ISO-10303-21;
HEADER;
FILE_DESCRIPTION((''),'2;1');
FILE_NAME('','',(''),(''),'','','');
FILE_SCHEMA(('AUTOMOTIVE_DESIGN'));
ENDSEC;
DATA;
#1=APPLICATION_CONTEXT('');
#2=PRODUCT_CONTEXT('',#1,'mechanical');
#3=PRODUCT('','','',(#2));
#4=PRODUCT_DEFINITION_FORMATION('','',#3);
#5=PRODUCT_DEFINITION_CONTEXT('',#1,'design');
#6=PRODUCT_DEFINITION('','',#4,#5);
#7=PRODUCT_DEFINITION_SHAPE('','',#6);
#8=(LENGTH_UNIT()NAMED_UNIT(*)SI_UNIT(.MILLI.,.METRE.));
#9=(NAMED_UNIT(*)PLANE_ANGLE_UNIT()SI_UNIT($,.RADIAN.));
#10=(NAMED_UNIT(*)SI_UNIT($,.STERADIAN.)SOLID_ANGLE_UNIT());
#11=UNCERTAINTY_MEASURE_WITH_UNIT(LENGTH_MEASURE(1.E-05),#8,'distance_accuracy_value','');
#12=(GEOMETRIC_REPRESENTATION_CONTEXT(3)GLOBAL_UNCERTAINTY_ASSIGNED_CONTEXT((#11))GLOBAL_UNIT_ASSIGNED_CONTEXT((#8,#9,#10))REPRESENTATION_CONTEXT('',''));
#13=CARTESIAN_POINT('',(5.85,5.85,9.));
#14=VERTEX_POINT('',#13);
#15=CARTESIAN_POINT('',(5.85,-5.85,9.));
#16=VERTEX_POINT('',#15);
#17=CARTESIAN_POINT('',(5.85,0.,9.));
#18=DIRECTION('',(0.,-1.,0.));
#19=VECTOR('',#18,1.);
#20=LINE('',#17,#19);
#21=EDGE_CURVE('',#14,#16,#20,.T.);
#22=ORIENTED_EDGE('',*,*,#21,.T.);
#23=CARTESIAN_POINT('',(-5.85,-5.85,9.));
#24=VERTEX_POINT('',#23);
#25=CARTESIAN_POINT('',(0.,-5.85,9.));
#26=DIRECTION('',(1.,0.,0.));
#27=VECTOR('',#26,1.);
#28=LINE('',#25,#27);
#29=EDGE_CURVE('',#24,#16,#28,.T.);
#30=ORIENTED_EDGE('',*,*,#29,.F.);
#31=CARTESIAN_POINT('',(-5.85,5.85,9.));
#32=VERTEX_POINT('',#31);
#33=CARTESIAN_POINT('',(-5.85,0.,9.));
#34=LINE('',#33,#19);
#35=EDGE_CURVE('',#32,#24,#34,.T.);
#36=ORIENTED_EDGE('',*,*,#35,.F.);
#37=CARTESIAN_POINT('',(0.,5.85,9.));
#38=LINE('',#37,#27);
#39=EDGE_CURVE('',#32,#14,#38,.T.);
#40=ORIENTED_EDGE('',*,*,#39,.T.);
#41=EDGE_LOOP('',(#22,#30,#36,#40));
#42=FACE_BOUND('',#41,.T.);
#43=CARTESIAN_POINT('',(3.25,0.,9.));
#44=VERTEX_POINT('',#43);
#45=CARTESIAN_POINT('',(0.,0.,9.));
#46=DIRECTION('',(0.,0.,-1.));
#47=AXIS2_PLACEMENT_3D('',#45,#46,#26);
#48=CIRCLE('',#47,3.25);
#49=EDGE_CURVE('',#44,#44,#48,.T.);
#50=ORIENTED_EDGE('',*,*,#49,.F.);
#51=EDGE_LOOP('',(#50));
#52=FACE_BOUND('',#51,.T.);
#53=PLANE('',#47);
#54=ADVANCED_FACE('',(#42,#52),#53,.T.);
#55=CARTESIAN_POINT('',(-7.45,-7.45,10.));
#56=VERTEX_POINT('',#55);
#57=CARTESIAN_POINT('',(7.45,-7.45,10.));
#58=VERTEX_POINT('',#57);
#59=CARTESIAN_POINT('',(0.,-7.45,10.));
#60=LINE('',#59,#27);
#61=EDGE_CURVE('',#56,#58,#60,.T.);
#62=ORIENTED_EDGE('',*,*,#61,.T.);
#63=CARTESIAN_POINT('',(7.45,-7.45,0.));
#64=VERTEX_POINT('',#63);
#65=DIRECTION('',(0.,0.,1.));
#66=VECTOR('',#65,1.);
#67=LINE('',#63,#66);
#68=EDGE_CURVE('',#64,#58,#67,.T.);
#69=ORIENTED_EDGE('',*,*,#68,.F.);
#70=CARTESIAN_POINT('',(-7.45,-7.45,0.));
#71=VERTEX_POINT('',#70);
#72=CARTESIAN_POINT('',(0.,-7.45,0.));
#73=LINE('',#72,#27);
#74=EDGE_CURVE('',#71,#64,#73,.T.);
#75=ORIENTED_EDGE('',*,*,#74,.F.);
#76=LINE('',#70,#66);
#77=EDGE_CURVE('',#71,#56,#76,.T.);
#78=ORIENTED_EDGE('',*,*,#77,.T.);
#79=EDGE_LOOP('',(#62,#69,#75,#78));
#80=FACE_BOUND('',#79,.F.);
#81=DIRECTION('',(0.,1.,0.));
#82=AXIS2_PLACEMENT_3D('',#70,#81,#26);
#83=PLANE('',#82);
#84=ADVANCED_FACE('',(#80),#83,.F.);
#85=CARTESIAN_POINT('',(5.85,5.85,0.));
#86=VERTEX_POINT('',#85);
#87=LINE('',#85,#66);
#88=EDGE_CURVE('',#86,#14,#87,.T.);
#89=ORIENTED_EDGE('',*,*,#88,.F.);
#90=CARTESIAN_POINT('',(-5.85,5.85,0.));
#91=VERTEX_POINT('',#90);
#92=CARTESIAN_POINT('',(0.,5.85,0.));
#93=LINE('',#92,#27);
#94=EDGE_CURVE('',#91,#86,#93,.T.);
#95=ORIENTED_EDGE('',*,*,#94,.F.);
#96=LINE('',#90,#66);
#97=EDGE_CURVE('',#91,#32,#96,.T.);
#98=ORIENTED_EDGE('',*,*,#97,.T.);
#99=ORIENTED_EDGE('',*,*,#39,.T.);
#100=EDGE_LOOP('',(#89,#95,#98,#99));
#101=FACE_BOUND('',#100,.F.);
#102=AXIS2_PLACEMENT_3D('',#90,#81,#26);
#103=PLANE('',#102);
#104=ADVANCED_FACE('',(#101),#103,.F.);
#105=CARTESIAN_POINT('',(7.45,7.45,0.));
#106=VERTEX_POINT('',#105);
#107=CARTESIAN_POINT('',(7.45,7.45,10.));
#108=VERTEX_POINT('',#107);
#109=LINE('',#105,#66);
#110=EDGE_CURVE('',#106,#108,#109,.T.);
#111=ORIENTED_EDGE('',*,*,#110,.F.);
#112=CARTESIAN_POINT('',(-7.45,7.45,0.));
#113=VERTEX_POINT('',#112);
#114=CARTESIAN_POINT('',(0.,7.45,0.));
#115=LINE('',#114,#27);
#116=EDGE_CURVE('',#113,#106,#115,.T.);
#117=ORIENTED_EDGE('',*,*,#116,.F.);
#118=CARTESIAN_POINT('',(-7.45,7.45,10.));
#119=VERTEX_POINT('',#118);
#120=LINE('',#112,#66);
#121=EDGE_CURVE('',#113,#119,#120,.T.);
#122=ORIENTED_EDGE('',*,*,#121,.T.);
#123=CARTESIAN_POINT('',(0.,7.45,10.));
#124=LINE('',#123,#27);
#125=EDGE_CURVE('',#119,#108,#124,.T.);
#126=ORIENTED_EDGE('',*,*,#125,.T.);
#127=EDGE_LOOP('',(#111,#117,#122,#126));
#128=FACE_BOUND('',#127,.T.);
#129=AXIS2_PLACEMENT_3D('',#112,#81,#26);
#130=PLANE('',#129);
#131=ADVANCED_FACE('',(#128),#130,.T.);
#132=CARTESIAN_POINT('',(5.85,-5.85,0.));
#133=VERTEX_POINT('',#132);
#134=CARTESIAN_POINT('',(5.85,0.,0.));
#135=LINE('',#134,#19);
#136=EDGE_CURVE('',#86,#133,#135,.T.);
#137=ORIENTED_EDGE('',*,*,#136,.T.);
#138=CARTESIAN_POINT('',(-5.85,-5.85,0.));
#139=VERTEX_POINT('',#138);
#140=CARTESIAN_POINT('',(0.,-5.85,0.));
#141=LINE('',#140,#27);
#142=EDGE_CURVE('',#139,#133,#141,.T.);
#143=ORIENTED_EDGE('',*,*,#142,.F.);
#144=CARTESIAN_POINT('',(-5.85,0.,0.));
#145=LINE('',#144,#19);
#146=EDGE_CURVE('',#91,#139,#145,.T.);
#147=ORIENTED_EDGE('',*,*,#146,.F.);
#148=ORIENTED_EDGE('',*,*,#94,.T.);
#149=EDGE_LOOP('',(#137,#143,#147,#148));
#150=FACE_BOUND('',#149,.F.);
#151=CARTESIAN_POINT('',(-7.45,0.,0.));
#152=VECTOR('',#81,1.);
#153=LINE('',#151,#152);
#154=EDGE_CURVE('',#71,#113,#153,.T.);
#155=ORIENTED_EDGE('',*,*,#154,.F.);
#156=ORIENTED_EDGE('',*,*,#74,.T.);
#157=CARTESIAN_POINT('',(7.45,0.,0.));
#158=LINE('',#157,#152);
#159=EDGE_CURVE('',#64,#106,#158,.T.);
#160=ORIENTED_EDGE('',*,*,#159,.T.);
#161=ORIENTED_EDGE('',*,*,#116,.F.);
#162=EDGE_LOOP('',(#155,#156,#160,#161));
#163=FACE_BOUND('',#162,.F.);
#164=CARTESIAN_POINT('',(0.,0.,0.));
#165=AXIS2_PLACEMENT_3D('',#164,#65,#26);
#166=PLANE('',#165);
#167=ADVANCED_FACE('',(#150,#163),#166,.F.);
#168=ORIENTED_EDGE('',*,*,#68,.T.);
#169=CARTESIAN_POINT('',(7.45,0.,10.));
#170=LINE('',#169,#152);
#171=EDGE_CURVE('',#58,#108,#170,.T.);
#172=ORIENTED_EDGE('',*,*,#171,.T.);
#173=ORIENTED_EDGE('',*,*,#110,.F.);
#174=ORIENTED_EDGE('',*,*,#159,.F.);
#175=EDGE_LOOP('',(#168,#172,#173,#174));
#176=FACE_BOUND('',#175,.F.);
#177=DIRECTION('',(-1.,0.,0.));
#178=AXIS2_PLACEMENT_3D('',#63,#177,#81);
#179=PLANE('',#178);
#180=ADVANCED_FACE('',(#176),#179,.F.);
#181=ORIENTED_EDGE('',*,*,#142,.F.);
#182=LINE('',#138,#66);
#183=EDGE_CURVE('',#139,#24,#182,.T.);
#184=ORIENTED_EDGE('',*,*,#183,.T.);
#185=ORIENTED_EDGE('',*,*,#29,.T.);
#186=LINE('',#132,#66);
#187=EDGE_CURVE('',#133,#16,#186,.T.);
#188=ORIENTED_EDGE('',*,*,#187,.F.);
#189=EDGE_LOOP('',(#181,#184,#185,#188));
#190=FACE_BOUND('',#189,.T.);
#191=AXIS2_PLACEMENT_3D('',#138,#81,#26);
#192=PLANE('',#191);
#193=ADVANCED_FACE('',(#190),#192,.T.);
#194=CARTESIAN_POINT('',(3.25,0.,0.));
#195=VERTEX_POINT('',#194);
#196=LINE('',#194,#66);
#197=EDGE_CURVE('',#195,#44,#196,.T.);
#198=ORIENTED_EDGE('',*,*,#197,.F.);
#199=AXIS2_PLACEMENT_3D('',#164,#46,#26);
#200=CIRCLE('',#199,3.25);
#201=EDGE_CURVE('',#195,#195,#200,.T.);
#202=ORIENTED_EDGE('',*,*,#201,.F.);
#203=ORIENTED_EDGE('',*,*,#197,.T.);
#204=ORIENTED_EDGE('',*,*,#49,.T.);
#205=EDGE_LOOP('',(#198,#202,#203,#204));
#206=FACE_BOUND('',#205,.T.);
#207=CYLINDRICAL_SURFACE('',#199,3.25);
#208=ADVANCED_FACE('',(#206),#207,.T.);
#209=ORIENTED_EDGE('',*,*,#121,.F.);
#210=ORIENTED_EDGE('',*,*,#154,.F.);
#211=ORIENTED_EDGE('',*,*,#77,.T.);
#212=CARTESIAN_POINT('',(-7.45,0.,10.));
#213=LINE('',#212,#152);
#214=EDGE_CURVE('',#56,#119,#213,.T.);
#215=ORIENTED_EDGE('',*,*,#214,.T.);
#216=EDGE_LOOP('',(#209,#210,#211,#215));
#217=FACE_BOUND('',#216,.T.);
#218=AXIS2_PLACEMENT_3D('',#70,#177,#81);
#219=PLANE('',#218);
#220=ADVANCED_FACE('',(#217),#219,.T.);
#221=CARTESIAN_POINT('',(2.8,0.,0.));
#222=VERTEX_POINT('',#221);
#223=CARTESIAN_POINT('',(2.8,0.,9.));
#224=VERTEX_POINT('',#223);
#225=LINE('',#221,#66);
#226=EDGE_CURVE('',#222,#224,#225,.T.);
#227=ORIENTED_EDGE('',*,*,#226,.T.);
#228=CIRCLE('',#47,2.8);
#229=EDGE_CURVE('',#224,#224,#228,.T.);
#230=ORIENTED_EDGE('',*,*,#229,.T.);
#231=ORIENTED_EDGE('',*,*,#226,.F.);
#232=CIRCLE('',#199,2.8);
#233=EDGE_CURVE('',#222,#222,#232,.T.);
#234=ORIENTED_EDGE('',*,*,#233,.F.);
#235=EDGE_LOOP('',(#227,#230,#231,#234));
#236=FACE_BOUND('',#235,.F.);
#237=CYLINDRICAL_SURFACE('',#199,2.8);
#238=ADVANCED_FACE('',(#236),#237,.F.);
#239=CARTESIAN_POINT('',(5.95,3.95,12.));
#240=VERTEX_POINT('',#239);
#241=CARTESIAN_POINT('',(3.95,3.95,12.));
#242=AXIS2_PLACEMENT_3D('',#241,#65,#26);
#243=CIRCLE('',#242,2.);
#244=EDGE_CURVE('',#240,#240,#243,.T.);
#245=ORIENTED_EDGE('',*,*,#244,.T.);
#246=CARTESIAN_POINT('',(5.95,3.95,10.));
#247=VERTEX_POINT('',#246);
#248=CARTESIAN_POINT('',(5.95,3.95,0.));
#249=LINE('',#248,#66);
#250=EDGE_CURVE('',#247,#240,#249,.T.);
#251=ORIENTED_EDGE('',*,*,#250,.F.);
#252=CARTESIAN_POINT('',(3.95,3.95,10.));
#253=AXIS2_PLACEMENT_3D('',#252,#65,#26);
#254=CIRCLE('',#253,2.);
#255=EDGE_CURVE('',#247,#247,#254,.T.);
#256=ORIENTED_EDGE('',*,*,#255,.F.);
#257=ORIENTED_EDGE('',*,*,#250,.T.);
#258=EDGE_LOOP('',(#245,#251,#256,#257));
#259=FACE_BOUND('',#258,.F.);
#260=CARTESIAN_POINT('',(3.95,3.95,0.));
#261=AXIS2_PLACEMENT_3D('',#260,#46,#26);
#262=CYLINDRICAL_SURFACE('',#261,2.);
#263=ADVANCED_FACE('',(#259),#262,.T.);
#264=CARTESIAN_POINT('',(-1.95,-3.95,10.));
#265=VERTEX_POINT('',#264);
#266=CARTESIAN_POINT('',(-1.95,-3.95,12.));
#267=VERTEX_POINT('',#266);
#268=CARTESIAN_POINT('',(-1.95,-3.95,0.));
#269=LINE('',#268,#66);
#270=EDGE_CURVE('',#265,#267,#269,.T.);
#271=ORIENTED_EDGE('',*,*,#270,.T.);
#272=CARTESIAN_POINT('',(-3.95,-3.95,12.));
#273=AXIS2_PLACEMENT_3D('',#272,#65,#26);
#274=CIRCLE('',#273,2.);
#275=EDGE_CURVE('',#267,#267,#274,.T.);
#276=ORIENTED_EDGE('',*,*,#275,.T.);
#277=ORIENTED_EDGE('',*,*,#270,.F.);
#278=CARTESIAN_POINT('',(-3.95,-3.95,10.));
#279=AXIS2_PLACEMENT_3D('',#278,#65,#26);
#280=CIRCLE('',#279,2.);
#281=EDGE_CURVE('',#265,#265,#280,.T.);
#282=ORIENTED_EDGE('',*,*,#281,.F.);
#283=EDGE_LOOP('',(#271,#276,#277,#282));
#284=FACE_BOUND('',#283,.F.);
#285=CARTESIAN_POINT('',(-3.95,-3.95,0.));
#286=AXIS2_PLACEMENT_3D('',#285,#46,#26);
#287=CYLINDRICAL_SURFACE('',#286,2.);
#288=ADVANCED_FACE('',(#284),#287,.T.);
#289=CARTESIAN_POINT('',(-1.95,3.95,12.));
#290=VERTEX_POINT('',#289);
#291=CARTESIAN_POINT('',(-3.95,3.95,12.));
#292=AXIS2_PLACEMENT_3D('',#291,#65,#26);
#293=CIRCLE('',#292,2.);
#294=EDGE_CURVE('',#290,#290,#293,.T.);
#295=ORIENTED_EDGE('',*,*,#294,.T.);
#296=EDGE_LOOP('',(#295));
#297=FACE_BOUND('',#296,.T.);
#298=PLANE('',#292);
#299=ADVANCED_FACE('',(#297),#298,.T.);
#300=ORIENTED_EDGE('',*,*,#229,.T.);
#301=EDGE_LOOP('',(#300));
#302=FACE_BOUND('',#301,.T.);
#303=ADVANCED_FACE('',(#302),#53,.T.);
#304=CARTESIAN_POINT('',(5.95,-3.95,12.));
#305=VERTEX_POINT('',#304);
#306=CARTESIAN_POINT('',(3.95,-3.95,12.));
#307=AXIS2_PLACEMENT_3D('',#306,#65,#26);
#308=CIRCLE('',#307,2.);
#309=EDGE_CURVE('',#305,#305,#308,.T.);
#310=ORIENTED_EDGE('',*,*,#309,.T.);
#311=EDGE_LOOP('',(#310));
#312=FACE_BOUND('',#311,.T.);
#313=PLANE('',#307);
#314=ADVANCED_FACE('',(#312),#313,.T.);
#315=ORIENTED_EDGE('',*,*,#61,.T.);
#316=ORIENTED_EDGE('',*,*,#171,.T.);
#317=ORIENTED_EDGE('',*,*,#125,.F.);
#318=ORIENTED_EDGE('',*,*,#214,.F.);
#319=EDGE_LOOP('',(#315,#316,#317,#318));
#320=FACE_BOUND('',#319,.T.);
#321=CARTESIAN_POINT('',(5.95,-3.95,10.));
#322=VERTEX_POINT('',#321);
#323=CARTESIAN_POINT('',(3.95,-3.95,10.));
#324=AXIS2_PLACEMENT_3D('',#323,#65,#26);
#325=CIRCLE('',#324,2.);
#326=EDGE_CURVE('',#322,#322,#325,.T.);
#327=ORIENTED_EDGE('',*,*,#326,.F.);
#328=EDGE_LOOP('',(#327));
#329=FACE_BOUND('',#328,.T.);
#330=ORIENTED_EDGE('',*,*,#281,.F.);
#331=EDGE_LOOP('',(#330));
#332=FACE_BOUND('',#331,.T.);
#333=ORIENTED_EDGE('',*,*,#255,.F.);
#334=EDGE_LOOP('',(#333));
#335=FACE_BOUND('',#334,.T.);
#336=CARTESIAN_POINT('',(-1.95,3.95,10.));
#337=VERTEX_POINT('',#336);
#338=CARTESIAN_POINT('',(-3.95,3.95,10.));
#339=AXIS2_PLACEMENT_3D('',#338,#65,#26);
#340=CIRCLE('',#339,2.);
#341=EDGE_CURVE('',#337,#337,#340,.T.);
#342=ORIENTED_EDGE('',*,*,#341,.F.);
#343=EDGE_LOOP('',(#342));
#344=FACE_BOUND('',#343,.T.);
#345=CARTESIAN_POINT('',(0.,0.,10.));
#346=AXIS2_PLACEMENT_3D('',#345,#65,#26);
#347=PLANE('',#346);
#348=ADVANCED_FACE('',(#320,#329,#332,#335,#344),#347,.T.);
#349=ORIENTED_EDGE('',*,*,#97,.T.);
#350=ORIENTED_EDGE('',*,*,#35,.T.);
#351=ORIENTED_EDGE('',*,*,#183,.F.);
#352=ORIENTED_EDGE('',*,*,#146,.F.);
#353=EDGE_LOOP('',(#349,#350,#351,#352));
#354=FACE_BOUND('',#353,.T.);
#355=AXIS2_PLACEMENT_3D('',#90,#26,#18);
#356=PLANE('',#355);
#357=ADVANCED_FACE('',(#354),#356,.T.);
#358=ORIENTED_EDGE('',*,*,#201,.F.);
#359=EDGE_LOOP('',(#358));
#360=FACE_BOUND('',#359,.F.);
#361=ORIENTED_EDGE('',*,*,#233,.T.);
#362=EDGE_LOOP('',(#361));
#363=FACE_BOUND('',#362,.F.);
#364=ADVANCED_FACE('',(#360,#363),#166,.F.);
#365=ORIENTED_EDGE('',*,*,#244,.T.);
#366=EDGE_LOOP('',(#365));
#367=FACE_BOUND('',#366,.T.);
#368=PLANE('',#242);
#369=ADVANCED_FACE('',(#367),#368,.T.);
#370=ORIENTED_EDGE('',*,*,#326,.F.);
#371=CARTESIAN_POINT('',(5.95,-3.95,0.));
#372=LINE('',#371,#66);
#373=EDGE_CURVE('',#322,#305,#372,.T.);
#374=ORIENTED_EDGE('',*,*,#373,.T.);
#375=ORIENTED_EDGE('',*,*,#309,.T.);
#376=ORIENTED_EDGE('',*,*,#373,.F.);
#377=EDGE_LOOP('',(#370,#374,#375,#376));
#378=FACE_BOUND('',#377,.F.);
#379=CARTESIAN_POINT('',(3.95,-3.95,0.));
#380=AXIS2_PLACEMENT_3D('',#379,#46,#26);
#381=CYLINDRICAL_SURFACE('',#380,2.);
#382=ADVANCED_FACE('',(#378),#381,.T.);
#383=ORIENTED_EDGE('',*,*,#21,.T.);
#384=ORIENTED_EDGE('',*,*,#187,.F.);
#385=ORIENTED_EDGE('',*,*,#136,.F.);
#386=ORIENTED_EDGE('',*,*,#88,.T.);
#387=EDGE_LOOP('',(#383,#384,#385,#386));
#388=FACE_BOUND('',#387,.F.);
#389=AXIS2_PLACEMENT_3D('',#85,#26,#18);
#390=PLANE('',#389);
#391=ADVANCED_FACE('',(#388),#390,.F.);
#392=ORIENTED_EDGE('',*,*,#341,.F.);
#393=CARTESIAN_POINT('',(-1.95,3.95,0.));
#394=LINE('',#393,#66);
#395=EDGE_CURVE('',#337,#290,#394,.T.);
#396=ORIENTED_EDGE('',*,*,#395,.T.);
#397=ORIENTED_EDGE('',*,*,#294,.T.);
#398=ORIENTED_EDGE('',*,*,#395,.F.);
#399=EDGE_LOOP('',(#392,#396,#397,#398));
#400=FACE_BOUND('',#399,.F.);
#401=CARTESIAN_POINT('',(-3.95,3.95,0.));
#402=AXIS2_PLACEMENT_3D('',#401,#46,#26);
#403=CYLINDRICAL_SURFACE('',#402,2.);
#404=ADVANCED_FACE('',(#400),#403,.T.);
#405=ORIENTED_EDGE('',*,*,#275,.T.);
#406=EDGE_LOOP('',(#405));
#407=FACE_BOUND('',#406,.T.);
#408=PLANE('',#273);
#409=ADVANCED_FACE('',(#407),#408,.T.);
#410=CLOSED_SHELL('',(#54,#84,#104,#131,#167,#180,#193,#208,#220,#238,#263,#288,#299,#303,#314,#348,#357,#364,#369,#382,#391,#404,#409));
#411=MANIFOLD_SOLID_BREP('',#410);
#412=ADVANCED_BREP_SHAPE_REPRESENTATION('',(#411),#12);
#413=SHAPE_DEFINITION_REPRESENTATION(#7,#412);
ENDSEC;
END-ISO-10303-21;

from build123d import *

# Parameters (mm, degrees)
F0_W     = 14.9
F0_H     = 14.9
F0_R     = 2
F1_DEPTH = 10
F2_DEPTH = 12
F3_W     = 11.7
F3_H     = 11.7
F3_R     = 3.25
F3_R_2   = 2.8
F4_DEPTH = 9


with BuildPart() as f1:
    # F0 (on Top) → F1 (new body)
    with BuildSketch(Plane.XY):
        Rectangle(F0_W, F0_H)
        with Locations((-3.95, -3.95)):
            Circle(F0_R, mode=Mode.SUBTRACT)
        with Locations((3.95, -3.95)):
            Circle(F0_R, mode=Mode.SUBTRACT)
        with Locations((-3.95, 3.95)):
            Circle(F0_R, mode=Mode.SUBTRACT)
        with Locations((3.95, 3.95)):
            Circle(F0_R, mode=Mode.SUBTRACT)
    extrude(amount=F1_DEPTH)

    # F0 (on Top) → F2 (join)
    with BuildSketch(Plane.XY):
        with Locations((-3.95, -3.95)):
            Circle(F0_R)
        with Locations((-3.95, 3.95)):
            Circle(F0_R)
        with Locations((3.95, 3.95)):
            Circle(F0_R)
        with Locations((3.95, -3.95)):
            Circle(F0_R)
    extrude(amount=F2_DEPTH)

    # F3 (on face) → F4 (cut)
    with BuildSketch(Plane(origin=(0, 0, 0), x_dir=(1, 0, 0), z_dir=(0, 0, -1))):
        Rectangle(F3_W, F3_H)
        Circle(F3_R, mode=Mode.SUBTRACT)
        Circle(F3_R_2)
    extrude(amount=-F4_DEPTH, mode=Mode.SUBTRACT)


solid = f1.part
